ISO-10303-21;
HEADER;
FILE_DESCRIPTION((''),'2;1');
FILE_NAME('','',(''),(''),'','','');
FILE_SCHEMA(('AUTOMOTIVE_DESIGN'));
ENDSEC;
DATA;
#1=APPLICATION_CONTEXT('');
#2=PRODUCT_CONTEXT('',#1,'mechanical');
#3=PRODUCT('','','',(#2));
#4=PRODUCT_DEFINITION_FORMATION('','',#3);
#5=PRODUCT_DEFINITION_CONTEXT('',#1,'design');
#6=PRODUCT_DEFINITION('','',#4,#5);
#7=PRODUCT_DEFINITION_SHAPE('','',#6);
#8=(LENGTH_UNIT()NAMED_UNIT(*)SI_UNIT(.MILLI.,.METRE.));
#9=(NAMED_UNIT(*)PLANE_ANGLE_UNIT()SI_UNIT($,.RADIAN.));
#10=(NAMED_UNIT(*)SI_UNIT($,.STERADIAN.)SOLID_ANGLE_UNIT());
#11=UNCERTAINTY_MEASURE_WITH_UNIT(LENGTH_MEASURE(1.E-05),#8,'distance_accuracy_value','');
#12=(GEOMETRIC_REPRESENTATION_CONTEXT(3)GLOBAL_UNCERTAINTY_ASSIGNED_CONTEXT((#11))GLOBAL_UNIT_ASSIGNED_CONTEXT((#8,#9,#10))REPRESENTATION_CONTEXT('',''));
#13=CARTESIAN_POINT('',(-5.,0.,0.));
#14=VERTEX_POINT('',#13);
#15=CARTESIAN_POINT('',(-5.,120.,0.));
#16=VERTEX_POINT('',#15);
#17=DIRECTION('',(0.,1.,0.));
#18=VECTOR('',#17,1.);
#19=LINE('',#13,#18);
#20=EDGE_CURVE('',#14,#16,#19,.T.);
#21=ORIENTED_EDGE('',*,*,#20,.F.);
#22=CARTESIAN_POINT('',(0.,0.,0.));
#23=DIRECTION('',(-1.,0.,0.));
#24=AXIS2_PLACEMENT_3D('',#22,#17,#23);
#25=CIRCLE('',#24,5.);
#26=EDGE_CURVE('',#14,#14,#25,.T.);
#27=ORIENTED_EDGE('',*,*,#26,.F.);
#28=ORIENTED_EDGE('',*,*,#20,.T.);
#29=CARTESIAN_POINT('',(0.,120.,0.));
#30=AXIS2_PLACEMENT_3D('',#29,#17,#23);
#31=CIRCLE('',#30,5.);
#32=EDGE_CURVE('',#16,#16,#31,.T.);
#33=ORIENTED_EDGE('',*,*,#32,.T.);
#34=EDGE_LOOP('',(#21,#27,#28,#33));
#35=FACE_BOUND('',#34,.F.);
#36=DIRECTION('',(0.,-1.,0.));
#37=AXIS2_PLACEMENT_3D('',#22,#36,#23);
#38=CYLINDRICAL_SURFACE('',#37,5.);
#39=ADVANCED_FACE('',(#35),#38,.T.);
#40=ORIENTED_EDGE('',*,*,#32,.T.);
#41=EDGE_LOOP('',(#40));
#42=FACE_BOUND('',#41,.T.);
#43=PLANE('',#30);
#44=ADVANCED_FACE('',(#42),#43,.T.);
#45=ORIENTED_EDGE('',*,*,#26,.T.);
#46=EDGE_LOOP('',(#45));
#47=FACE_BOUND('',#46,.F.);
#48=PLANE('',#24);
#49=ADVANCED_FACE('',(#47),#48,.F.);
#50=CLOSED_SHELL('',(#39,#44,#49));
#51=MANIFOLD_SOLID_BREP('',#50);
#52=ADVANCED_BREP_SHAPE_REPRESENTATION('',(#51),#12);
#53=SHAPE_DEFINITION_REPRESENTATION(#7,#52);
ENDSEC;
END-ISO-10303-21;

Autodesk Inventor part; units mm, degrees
ref_plane "YZ Plane" through (0, 0, 0) normal (1, 0, 0) x (0, 1, 0)
ref_plane "XZ Plane" through (0, 0, 0) normal (0, 1, 0) x (-1, 0, 0)
ref_plane "XY Plane" through (0, 0, 0) normal (0, 0, 1) x (1, 0, 0)
sketch "Szkic2" plane through (0, 0, 0) normal (0, 1, 0) x (-1, 0, 0)
  circle A0 centre (0, 0) radius 5
  dimension "d6" = 10
extrude "Wyciągnięcie proste2" add sketch "Szkic2" along normal blind 120
properties part number "tibia"
